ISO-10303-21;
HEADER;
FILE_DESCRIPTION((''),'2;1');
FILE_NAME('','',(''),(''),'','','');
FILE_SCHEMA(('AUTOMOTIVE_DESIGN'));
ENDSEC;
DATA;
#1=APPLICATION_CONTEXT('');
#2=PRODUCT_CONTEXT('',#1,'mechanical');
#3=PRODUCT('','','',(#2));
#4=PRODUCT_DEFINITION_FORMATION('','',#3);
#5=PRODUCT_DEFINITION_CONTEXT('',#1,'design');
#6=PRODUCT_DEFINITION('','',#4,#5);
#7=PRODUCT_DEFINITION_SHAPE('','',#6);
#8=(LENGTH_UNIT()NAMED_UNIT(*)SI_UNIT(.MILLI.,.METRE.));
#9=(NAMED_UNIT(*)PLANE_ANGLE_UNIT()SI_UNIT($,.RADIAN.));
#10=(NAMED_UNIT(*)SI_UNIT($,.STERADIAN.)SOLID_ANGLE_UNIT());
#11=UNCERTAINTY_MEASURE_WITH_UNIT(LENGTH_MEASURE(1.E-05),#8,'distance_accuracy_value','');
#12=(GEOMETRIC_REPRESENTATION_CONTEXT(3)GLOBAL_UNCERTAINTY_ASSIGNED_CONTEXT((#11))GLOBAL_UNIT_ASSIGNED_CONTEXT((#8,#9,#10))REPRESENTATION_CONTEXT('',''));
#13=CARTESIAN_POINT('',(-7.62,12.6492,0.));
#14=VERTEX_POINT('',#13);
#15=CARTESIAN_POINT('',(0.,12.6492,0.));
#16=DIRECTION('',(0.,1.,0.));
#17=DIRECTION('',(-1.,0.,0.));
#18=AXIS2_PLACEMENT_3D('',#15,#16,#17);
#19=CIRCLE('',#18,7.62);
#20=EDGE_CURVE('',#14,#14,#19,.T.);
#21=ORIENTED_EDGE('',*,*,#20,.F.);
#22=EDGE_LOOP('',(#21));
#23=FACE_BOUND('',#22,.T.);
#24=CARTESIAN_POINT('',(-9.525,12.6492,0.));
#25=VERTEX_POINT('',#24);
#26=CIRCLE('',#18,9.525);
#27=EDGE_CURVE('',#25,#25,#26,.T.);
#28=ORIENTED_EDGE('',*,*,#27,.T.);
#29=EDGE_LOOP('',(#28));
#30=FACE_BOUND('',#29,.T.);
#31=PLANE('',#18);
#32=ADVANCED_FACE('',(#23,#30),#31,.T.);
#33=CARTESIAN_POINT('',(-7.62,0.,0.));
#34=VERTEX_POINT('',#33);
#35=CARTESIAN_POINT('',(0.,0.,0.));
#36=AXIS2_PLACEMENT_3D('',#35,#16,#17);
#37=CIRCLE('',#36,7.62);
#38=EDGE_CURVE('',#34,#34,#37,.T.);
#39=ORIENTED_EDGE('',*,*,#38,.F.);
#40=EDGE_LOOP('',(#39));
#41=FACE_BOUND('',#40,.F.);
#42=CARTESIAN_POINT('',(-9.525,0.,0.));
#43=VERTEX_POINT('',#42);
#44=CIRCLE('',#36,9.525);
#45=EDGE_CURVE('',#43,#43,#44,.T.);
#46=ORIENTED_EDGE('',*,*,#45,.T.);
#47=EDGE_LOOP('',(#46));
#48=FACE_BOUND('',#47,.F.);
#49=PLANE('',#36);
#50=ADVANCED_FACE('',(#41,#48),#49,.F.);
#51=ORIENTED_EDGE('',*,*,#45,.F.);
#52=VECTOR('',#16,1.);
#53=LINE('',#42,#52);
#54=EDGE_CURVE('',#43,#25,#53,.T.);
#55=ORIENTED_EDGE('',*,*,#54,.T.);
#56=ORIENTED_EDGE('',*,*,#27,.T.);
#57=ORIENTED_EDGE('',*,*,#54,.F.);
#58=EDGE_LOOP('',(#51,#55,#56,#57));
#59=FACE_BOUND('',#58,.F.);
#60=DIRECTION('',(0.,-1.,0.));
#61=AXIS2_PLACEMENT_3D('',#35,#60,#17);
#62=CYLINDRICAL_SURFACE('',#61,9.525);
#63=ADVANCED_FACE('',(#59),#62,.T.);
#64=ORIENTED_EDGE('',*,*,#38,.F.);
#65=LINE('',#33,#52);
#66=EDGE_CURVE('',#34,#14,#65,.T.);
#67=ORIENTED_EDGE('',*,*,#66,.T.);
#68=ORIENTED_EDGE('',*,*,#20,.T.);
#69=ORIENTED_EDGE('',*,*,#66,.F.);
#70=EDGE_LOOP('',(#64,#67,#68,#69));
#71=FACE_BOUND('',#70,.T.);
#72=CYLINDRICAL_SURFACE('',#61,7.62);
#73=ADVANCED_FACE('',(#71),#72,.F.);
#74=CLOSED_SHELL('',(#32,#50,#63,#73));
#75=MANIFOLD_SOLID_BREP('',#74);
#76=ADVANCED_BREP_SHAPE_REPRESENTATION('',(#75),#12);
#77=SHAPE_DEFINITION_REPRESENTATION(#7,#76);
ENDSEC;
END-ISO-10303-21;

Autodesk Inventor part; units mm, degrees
ref_plane "YZ Plane" through (0, 0, 0) normal (1, 0, 0) x (0, 1, 0)
ref_plane "XZ Plane" through (0, 0, 0) normal (0, 1, 0) x (-1, 0, 0)
ref_plane "XY Plane" through (0, 0, 0) normal (0, 0, 1) x (1, 0, 0)
sketch "Sketch1" plane through (0, 0, 0) normal (0, 1, 0) x (-1, 0, 0)
  circle A0 centre (0, 0) radius 7.62
  circle A1 centre (0, 0) radius 9.525
  dimension "d0" = 15.24
  dimension "d1" = 19.05
extrude "Extrusion1" add sketch "Sketch1" along normal blind 12.6492
properties part number "INTK_005_Spacer5" material "Aluminum 6061"
